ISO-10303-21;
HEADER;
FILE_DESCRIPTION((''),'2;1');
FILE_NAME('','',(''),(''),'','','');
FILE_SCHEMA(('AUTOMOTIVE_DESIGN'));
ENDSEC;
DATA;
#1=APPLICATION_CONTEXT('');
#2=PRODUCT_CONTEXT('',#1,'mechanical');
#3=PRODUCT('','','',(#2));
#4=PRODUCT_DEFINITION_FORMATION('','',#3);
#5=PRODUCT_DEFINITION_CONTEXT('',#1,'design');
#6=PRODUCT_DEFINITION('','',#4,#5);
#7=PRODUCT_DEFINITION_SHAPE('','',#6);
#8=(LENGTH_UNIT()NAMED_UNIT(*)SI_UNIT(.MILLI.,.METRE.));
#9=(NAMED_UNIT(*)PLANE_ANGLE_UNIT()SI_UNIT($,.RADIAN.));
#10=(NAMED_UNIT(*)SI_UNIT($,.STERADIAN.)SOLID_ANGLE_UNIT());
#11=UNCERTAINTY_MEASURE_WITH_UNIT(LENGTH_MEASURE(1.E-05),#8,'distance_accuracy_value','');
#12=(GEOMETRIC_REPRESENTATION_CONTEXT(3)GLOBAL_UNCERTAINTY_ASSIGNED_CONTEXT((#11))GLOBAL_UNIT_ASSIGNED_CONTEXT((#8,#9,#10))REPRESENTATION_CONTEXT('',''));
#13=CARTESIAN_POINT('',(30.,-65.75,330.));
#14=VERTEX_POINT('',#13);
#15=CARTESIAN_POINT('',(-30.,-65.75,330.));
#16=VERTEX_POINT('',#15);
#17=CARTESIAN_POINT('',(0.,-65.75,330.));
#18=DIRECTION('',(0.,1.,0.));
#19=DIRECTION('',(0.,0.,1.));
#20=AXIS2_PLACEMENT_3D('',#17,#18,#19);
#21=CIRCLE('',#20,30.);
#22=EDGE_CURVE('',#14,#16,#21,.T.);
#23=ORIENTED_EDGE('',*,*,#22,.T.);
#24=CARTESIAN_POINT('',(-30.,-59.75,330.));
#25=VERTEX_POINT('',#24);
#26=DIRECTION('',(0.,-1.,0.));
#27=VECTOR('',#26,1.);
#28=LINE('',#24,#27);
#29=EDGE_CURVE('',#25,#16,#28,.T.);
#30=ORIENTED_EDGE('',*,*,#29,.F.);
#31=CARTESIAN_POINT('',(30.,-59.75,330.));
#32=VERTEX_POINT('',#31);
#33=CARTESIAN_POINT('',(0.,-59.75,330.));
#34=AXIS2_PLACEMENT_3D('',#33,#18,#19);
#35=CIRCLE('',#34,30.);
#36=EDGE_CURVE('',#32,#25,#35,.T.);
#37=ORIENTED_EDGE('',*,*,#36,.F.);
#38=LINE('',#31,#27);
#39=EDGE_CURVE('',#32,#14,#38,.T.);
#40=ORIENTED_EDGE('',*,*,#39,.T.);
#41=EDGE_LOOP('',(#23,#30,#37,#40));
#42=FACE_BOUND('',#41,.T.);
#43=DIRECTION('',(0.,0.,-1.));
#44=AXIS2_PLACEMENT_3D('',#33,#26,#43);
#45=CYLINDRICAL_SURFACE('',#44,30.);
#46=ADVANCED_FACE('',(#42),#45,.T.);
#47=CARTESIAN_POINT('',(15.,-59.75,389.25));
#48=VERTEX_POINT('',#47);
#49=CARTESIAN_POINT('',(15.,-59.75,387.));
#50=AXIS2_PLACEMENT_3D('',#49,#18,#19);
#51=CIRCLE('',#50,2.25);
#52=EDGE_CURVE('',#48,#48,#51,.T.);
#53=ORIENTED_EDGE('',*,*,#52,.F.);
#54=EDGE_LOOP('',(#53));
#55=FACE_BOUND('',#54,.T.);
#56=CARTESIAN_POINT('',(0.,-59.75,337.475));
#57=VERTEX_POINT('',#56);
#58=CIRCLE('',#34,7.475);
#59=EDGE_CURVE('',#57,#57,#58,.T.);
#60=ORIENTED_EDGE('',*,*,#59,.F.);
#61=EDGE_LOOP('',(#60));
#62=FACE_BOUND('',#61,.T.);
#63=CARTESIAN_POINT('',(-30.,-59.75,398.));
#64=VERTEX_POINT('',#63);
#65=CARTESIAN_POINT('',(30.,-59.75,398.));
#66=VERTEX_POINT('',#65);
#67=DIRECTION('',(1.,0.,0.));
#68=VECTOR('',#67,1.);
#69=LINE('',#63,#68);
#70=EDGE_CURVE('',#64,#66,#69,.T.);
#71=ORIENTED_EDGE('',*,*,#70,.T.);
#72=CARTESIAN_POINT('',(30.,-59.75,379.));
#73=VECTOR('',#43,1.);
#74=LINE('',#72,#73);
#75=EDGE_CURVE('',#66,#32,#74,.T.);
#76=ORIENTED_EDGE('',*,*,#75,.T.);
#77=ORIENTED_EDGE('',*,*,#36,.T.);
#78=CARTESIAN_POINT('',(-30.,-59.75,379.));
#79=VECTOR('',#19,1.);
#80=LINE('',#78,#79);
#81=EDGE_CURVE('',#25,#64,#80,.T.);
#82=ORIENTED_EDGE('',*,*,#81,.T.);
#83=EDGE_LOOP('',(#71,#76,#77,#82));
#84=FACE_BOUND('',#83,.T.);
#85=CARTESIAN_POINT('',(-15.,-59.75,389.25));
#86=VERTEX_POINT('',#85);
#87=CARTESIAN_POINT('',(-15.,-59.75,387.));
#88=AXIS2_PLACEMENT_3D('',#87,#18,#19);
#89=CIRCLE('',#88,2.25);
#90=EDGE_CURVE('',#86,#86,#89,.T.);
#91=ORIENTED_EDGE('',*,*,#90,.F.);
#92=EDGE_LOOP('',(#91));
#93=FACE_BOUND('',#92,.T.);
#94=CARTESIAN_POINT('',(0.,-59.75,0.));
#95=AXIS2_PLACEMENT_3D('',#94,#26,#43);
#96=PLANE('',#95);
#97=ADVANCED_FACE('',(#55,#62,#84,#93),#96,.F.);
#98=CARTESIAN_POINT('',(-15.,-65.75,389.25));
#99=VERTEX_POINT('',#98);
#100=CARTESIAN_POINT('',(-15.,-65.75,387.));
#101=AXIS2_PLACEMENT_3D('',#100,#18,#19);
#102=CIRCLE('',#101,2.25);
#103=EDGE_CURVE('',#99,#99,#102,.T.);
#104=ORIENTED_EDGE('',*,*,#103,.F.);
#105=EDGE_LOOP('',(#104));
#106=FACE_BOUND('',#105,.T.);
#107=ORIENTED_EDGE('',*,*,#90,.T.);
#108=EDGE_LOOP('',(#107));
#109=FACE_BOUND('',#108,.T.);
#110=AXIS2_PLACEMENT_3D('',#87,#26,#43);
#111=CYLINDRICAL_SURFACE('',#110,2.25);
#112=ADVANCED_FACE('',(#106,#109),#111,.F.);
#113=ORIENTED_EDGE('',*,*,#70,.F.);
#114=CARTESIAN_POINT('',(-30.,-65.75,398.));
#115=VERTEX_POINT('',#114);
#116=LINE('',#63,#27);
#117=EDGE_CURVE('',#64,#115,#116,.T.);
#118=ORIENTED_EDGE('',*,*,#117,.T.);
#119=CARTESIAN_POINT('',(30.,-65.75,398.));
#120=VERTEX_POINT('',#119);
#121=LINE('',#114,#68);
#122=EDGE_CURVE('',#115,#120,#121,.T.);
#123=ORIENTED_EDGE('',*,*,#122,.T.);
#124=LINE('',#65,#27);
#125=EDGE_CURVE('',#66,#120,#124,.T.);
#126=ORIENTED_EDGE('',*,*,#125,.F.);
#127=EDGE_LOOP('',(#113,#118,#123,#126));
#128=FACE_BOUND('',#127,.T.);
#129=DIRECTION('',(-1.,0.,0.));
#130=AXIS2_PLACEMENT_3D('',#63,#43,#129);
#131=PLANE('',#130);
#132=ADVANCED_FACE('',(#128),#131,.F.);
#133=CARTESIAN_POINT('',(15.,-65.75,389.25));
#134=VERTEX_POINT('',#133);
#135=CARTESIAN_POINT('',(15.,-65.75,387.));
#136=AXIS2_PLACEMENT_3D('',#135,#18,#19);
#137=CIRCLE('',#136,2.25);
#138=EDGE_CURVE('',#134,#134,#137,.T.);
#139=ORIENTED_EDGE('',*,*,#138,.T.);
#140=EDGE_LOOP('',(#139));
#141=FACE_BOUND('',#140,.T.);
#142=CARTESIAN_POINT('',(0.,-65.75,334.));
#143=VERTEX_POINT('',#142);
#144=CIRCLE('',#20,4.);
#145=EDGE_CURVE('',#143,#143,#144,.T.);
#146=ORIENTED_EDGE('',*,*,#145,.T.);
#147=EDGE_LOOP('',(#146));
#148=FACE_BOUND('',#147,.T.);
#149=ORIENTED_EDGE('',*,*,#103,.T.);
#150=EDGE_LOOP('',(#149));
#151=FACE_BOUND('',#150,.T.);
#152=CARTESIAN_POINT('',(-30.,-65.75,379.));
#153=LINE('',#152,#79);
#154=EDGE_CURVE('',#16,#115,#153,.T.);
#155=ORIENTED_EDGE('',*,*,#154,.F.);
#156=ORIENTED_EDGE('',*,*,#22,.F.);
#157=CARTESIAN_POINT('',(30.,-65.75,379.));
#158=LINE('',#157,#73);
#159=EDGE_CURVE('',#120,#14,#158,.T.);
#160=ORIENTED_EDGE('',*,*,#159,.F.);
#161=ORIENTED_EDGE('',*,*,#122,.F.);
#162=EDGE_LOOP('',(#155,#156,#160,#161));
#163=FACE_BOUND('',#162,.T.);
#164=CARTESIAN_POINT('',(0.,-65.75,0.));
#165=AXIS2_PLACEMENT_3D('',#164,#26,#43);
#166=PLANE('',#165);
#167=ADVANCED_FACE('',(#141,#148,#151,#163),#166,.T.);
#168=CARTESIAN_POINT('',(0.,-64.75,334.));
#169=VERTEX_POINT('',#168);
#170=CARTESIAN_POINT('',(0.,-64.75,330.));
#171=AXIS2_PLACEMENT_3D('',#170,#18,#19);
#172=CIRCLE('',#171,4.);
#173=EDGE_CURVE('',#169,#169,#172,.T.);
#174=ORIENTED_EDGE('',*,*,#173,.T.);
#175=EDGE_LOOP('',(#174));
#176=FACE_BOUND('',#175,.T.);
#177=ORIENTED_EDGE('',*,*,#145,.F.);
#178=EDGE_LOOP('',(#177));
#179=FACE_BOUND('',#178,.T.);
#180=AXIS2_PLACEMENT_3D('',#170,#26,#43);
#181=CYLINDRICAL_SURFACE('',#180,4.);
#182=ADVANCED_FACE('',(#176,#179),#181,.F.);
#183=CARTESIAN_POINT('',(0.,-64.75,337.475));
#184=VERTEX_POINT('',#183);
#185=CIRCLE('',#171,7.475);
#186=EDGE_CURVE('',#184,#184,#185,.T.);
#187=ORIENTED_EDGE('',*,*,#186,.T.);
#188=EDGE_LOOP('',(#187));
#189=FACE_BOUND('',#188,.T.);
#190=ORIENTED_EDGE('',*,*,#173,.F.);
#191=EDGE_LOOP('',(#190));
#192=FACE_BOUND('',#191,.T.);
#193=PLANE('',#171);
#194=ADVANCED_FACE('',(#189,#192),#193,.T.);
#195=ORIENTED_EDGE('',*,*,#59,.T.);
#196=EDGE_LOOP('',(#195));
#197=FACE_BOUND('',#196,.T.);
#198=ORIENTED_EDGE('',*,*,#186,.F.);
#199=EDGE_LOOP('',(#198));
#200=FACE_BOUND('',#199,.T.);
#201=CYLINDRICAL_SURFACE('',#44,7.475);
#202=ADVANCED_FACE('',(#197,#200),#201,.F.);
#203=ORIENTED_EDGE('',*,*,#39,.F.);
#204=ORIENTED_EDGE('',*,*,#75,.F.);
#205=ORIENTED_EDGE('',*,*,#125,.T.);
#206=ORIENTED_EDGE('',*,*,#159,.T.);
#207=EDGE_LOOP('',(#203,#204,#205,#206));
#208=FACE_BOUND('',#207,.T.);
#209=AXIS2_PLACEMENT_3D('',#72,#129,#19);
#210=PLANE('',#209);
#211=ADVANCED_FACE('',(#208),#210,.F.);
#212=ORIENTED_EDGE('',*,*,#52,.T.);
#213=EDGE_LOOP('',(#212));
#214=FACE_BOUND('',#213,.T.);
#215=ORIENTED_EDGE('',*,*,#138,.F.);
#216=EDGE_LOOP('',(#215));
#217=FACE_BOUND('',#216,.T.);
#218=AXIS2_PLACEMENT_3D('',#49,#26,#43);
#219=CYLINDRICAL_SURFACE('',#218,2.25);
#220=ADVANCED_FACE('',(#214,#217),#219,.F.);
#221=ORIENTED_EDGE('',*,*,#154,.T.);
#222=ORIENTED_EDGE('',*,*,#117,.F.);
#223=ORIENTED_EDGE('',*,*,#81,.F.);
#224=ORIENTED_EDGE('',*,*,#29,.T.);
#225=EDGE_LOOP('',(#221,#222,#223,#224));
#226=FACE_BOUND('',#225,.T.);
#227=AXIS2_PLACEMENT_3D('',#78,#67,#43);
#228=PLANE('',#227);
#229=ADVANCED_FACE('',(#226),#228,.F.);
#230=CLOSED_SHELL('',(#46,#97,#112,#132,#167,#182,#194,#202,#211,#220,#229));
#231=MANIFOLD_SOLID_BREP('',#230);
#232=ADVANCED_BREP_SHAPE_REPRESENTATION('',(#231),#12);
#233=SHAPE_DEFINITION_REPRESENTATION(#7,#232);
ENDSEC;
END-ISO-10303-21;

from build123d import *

# Parameters (mm, degrees)
PLACA_START              = -65.75
SK_PLACA_W               = 60
SK_PLACA_H               = 49
PLACA_DEPTH              = 6
EXTREMO_START            = -65.75
SK_EXTREMO_R             = 30
EXTREMO_DEPTH            = 6
ALOJAMIENTO_696ZZ_START  = -64.75
SK_ALOJAMIENTO_696ZZ_R   = 7.475
ALOJAMIENTO_696ZZ_DEPTH  = 5
PASO_EXTRACTOR_START     = -65.75
SK_PASO_EXTRACTOR_R      = 4
PASO_EXTRACTOR_DEPTH     = 1
EXTENSION_PESTANAS_START = -65.75
SK_EXTENSION_PESTANAS_W  = 60
SK_EXTENSION_PESTANAS_H  = 19
EXTENSION_PESTANAS_DEPTH = 6
PASANTES_M4_REPISA_START = -65.75
SK_PASANTES_M4_REPISA_R  = 2.25
PASANTES_M4_REPISA_DEPTH = 6


with BuildPart() as part:
    # Sk_Placa → Placa (new body)
    with BuildSketch(Plane(origin=(0, 0, 0), x_dir=(1, 0, 0), z_dir=(0, 1, 0)).offset(PLACA_START)):
        with Locations((0, -354.5)):
            Rectangle(SK_PLACA_W, SK_PLACA_H)
    extrude(amount=PLACA_DEPTH)

    # Sk_Extremo → Extremo (add)
    with BuildSketch(Plane(origin=(0, 0, 0), x_dir=(1, 0, 0), z_dir=(0, 1, 0)).offset(EXTREMO_START)):
        with Locations((0, -330)):
            Circle(SK_EXTREMO_R)
    extrude(amount=EXTREMO_DEPTH)

    # Sk_Alojamiento_696ZZ → Alojamiento_696ZZ (cut)
    with BuildSketch(Plane(origin=(0, 0, 0), x_dir=(1, 0, 0), z_dir=(0, 1, 0)).offset(ALOJAMIENTO_696ZZ_START)):
        with Locations(Location((0, -330, 0), (0, 0, 270))):
            Circle(SK_ALOJAMIENTO_696ZZ_R)
    extrude(amount=ALOJAMIENTO_696ZZ_DEPTH, mode=Mode.SUBTRACT)

    # Sk_Paso_extractor → Paso_extractor (cut)
    with BuildSketch(Plane(origin=(0, 0, 0), x_dir=(1, 0, 0), z_dir=(0, 1, 0)).offset(PASO_EXTRACTOR_START)):
        with Locations(Location((0, -330, 0), (0, 0, 270))):
            Circle(SK_PASO_EXTRACTOR_R)
    extrude(amount=PASO_EXTRACTOR_DEPTH, mode=Mode.SUBTRACT)

    # Sk_Extension_pestanas → Extension_pestanas (add)
    with BuildSketch(Plane(origin=(0, 0, 0), x_dir=(1, 0, 0), z_dir=(0, 1, 0)).offset(EXTENSION_PESTANAS_START)):
        with Locations((0, -388.5)):
            Rectangle(SK_EXTENSION_PESTANAS_W, SK_EXTENSION_PESTANAS_H)
    extrude(amount=EXTENSION_PESTANAS_DEPTH)

    # Sk_Pasantes_M4_repisa → Pasantes_M4_repisa (cut)
    with BuildSketch(Plane(origin=(0, 0, 0), x_dir=(1, 0, 0), z_dir=(0, 1, 0)).offset(PASANTES_M4_REPISA_START)):
        with Locations(Location((-15, -387, 0), (0, 0, 270))):
            Circle(SK_PASANTES_M4_REPISA_R)
        with Locations(Location((15, -387, 0), (0, 0, 270))):
            Circle(SK_PASANTES_M4_REPISA_R)
    extrude(amount=PASANTES_M4_REPISA_DEPTH, mode=Mode.SUBTRACT)


solid = part.part
